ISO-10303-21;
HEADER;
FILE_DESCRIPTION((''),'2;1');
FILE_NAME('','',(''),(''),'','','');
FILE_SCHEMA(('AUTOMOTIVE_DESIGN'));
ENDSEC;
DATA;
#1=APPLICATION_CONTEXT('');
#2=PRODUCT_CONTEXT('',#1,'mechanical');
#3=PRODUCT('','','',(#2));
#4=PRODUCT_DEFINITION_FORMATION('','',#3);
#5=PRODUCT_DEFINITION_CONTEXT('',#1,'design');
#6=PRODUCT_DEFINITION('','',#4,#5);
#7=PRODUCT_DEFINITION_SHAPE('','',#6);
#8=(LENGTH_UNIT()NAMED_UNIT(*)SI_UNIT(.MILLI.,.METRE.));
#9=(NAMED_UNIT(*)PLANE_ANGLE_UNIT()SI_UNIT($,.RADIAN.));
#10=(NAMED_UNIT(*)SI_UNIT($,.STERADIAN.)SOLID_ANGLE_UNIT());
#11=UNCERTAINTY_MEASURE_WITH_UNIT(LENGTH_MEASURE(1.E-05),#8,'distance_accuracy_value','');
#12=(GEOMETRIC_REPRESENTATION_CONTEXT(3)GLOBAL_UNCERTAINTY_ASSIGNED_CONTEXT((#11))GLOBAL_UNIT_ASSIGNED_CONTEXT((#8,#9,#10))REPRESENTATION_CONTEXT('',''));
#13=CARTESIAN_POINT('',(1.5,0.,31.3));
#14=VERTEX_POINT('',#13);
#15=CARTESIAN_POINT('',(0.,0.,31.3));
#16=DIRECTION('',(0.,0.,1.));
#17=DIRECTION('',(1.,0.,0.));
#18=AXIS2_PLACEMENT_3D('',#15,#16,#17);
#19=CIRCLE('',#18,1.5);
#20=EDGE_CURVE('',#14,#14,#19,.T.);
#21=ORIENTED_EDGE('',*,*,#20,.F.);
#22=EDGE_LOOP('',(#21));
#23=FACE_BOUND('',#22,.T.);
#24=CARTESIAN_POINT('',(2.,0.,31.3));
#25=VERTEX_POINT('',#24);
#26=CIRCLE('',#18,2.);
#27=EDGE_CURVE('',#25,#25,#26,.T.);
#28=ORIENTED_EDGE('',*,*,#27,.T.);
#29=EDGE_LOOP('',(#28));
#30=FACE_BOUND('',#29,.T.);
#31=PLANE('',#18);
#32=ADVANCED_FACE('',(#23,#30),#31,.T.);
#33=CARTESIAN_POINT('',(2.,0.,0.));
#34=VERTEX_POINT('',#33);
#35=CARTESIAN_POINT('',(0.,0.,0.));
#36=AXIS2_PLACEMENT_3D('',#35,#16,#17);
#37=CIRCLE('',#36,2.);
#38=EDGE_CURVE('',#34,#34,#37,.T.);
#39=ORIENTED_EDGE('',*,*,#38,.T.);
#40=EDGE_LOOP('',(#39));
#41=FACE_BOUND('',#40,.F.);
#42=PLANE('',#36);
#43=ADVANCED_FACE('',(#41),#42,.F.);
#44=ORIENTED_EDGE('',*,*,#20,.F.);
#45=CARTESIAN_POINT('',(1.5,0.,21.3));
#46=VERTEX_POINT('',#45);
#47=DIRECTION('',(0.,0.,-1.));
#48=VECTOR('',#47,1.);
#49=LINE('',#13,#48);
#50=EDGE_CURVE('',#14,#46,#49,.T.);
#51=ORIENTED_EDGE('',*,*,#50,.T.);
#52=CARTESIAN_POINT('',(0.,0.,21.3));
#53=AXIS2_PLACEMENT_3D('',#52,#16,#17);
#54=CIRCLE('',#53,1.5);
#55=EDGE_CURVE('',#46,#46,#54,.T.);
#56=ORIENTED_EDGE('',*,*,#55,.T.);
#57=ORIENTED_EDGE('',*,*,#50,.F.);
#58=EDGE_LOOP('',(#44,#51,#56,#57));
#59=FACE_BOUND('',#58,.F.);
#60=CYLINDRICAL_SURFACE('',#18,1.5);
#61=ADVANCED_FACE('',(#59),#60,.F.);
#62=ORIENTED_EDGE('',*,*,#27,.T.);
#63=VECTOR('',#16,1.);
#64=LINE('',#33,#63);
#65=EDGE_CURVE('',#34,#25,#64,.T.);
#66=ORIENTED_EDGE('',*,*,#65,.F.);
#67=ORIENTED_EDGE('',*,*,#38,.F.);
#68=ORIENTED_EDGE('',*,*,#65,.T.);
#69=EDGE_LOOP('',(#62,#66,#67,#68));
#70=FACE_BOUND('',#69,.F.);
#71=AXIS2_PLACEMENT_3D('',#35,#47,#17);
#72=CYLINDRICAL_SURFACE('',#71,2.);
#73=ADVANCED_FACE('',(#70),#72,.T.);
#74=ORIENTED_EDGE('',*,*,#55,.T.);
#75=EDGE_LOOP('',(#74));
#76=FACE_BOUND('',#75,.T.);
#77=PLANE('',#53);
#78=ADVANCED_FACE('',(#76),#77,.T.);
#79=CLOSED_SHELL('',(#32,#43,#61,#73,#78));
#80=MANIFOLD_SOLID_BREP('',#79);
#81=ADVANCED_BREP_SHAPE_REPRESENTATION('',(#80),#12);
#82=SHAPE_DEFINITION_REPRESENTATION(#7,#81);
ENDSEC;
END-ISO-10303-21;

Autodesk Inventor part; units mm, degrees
ref_plane "YZ Plane" through (0, 0, 0) normal (1, 0, 0) x (0, 1, 0)
ref_plane "XZ Plane" through (0, 0, 0) normal (0, 1, 0) x (-1, 0, 0)
ref_plane "XY Plane" through (0, 0, 0) normal (0, 0, 1) x (1, 0, 0)
sketch "スケッチ1" plane through (0, 0, 0) normal (0, 0, 1) x (1, 0, 0)
  circle A0 centre (0, 0) radius 2
  dimension "d0" = 4
extrude "押し出し1" add sketch "スケッチ1" along normal blind 31.3
sketch "スケッチ2" plane through (0, 0, 31.3) normal (0, 0, 1) x (1, 0, 0)
  circle A0 centre (0, 0) radius 1.5
  dimension "d3" = 3
extrude "押し出し2" cut sketch "スケッチ2" against normal blind 10
thread "ねじ1" size "M3x0.5" class "6H" standard "ANSI Metric M Profile" full length
properties part number "shaft_31.3mm" material "アルミニウム 5052"
